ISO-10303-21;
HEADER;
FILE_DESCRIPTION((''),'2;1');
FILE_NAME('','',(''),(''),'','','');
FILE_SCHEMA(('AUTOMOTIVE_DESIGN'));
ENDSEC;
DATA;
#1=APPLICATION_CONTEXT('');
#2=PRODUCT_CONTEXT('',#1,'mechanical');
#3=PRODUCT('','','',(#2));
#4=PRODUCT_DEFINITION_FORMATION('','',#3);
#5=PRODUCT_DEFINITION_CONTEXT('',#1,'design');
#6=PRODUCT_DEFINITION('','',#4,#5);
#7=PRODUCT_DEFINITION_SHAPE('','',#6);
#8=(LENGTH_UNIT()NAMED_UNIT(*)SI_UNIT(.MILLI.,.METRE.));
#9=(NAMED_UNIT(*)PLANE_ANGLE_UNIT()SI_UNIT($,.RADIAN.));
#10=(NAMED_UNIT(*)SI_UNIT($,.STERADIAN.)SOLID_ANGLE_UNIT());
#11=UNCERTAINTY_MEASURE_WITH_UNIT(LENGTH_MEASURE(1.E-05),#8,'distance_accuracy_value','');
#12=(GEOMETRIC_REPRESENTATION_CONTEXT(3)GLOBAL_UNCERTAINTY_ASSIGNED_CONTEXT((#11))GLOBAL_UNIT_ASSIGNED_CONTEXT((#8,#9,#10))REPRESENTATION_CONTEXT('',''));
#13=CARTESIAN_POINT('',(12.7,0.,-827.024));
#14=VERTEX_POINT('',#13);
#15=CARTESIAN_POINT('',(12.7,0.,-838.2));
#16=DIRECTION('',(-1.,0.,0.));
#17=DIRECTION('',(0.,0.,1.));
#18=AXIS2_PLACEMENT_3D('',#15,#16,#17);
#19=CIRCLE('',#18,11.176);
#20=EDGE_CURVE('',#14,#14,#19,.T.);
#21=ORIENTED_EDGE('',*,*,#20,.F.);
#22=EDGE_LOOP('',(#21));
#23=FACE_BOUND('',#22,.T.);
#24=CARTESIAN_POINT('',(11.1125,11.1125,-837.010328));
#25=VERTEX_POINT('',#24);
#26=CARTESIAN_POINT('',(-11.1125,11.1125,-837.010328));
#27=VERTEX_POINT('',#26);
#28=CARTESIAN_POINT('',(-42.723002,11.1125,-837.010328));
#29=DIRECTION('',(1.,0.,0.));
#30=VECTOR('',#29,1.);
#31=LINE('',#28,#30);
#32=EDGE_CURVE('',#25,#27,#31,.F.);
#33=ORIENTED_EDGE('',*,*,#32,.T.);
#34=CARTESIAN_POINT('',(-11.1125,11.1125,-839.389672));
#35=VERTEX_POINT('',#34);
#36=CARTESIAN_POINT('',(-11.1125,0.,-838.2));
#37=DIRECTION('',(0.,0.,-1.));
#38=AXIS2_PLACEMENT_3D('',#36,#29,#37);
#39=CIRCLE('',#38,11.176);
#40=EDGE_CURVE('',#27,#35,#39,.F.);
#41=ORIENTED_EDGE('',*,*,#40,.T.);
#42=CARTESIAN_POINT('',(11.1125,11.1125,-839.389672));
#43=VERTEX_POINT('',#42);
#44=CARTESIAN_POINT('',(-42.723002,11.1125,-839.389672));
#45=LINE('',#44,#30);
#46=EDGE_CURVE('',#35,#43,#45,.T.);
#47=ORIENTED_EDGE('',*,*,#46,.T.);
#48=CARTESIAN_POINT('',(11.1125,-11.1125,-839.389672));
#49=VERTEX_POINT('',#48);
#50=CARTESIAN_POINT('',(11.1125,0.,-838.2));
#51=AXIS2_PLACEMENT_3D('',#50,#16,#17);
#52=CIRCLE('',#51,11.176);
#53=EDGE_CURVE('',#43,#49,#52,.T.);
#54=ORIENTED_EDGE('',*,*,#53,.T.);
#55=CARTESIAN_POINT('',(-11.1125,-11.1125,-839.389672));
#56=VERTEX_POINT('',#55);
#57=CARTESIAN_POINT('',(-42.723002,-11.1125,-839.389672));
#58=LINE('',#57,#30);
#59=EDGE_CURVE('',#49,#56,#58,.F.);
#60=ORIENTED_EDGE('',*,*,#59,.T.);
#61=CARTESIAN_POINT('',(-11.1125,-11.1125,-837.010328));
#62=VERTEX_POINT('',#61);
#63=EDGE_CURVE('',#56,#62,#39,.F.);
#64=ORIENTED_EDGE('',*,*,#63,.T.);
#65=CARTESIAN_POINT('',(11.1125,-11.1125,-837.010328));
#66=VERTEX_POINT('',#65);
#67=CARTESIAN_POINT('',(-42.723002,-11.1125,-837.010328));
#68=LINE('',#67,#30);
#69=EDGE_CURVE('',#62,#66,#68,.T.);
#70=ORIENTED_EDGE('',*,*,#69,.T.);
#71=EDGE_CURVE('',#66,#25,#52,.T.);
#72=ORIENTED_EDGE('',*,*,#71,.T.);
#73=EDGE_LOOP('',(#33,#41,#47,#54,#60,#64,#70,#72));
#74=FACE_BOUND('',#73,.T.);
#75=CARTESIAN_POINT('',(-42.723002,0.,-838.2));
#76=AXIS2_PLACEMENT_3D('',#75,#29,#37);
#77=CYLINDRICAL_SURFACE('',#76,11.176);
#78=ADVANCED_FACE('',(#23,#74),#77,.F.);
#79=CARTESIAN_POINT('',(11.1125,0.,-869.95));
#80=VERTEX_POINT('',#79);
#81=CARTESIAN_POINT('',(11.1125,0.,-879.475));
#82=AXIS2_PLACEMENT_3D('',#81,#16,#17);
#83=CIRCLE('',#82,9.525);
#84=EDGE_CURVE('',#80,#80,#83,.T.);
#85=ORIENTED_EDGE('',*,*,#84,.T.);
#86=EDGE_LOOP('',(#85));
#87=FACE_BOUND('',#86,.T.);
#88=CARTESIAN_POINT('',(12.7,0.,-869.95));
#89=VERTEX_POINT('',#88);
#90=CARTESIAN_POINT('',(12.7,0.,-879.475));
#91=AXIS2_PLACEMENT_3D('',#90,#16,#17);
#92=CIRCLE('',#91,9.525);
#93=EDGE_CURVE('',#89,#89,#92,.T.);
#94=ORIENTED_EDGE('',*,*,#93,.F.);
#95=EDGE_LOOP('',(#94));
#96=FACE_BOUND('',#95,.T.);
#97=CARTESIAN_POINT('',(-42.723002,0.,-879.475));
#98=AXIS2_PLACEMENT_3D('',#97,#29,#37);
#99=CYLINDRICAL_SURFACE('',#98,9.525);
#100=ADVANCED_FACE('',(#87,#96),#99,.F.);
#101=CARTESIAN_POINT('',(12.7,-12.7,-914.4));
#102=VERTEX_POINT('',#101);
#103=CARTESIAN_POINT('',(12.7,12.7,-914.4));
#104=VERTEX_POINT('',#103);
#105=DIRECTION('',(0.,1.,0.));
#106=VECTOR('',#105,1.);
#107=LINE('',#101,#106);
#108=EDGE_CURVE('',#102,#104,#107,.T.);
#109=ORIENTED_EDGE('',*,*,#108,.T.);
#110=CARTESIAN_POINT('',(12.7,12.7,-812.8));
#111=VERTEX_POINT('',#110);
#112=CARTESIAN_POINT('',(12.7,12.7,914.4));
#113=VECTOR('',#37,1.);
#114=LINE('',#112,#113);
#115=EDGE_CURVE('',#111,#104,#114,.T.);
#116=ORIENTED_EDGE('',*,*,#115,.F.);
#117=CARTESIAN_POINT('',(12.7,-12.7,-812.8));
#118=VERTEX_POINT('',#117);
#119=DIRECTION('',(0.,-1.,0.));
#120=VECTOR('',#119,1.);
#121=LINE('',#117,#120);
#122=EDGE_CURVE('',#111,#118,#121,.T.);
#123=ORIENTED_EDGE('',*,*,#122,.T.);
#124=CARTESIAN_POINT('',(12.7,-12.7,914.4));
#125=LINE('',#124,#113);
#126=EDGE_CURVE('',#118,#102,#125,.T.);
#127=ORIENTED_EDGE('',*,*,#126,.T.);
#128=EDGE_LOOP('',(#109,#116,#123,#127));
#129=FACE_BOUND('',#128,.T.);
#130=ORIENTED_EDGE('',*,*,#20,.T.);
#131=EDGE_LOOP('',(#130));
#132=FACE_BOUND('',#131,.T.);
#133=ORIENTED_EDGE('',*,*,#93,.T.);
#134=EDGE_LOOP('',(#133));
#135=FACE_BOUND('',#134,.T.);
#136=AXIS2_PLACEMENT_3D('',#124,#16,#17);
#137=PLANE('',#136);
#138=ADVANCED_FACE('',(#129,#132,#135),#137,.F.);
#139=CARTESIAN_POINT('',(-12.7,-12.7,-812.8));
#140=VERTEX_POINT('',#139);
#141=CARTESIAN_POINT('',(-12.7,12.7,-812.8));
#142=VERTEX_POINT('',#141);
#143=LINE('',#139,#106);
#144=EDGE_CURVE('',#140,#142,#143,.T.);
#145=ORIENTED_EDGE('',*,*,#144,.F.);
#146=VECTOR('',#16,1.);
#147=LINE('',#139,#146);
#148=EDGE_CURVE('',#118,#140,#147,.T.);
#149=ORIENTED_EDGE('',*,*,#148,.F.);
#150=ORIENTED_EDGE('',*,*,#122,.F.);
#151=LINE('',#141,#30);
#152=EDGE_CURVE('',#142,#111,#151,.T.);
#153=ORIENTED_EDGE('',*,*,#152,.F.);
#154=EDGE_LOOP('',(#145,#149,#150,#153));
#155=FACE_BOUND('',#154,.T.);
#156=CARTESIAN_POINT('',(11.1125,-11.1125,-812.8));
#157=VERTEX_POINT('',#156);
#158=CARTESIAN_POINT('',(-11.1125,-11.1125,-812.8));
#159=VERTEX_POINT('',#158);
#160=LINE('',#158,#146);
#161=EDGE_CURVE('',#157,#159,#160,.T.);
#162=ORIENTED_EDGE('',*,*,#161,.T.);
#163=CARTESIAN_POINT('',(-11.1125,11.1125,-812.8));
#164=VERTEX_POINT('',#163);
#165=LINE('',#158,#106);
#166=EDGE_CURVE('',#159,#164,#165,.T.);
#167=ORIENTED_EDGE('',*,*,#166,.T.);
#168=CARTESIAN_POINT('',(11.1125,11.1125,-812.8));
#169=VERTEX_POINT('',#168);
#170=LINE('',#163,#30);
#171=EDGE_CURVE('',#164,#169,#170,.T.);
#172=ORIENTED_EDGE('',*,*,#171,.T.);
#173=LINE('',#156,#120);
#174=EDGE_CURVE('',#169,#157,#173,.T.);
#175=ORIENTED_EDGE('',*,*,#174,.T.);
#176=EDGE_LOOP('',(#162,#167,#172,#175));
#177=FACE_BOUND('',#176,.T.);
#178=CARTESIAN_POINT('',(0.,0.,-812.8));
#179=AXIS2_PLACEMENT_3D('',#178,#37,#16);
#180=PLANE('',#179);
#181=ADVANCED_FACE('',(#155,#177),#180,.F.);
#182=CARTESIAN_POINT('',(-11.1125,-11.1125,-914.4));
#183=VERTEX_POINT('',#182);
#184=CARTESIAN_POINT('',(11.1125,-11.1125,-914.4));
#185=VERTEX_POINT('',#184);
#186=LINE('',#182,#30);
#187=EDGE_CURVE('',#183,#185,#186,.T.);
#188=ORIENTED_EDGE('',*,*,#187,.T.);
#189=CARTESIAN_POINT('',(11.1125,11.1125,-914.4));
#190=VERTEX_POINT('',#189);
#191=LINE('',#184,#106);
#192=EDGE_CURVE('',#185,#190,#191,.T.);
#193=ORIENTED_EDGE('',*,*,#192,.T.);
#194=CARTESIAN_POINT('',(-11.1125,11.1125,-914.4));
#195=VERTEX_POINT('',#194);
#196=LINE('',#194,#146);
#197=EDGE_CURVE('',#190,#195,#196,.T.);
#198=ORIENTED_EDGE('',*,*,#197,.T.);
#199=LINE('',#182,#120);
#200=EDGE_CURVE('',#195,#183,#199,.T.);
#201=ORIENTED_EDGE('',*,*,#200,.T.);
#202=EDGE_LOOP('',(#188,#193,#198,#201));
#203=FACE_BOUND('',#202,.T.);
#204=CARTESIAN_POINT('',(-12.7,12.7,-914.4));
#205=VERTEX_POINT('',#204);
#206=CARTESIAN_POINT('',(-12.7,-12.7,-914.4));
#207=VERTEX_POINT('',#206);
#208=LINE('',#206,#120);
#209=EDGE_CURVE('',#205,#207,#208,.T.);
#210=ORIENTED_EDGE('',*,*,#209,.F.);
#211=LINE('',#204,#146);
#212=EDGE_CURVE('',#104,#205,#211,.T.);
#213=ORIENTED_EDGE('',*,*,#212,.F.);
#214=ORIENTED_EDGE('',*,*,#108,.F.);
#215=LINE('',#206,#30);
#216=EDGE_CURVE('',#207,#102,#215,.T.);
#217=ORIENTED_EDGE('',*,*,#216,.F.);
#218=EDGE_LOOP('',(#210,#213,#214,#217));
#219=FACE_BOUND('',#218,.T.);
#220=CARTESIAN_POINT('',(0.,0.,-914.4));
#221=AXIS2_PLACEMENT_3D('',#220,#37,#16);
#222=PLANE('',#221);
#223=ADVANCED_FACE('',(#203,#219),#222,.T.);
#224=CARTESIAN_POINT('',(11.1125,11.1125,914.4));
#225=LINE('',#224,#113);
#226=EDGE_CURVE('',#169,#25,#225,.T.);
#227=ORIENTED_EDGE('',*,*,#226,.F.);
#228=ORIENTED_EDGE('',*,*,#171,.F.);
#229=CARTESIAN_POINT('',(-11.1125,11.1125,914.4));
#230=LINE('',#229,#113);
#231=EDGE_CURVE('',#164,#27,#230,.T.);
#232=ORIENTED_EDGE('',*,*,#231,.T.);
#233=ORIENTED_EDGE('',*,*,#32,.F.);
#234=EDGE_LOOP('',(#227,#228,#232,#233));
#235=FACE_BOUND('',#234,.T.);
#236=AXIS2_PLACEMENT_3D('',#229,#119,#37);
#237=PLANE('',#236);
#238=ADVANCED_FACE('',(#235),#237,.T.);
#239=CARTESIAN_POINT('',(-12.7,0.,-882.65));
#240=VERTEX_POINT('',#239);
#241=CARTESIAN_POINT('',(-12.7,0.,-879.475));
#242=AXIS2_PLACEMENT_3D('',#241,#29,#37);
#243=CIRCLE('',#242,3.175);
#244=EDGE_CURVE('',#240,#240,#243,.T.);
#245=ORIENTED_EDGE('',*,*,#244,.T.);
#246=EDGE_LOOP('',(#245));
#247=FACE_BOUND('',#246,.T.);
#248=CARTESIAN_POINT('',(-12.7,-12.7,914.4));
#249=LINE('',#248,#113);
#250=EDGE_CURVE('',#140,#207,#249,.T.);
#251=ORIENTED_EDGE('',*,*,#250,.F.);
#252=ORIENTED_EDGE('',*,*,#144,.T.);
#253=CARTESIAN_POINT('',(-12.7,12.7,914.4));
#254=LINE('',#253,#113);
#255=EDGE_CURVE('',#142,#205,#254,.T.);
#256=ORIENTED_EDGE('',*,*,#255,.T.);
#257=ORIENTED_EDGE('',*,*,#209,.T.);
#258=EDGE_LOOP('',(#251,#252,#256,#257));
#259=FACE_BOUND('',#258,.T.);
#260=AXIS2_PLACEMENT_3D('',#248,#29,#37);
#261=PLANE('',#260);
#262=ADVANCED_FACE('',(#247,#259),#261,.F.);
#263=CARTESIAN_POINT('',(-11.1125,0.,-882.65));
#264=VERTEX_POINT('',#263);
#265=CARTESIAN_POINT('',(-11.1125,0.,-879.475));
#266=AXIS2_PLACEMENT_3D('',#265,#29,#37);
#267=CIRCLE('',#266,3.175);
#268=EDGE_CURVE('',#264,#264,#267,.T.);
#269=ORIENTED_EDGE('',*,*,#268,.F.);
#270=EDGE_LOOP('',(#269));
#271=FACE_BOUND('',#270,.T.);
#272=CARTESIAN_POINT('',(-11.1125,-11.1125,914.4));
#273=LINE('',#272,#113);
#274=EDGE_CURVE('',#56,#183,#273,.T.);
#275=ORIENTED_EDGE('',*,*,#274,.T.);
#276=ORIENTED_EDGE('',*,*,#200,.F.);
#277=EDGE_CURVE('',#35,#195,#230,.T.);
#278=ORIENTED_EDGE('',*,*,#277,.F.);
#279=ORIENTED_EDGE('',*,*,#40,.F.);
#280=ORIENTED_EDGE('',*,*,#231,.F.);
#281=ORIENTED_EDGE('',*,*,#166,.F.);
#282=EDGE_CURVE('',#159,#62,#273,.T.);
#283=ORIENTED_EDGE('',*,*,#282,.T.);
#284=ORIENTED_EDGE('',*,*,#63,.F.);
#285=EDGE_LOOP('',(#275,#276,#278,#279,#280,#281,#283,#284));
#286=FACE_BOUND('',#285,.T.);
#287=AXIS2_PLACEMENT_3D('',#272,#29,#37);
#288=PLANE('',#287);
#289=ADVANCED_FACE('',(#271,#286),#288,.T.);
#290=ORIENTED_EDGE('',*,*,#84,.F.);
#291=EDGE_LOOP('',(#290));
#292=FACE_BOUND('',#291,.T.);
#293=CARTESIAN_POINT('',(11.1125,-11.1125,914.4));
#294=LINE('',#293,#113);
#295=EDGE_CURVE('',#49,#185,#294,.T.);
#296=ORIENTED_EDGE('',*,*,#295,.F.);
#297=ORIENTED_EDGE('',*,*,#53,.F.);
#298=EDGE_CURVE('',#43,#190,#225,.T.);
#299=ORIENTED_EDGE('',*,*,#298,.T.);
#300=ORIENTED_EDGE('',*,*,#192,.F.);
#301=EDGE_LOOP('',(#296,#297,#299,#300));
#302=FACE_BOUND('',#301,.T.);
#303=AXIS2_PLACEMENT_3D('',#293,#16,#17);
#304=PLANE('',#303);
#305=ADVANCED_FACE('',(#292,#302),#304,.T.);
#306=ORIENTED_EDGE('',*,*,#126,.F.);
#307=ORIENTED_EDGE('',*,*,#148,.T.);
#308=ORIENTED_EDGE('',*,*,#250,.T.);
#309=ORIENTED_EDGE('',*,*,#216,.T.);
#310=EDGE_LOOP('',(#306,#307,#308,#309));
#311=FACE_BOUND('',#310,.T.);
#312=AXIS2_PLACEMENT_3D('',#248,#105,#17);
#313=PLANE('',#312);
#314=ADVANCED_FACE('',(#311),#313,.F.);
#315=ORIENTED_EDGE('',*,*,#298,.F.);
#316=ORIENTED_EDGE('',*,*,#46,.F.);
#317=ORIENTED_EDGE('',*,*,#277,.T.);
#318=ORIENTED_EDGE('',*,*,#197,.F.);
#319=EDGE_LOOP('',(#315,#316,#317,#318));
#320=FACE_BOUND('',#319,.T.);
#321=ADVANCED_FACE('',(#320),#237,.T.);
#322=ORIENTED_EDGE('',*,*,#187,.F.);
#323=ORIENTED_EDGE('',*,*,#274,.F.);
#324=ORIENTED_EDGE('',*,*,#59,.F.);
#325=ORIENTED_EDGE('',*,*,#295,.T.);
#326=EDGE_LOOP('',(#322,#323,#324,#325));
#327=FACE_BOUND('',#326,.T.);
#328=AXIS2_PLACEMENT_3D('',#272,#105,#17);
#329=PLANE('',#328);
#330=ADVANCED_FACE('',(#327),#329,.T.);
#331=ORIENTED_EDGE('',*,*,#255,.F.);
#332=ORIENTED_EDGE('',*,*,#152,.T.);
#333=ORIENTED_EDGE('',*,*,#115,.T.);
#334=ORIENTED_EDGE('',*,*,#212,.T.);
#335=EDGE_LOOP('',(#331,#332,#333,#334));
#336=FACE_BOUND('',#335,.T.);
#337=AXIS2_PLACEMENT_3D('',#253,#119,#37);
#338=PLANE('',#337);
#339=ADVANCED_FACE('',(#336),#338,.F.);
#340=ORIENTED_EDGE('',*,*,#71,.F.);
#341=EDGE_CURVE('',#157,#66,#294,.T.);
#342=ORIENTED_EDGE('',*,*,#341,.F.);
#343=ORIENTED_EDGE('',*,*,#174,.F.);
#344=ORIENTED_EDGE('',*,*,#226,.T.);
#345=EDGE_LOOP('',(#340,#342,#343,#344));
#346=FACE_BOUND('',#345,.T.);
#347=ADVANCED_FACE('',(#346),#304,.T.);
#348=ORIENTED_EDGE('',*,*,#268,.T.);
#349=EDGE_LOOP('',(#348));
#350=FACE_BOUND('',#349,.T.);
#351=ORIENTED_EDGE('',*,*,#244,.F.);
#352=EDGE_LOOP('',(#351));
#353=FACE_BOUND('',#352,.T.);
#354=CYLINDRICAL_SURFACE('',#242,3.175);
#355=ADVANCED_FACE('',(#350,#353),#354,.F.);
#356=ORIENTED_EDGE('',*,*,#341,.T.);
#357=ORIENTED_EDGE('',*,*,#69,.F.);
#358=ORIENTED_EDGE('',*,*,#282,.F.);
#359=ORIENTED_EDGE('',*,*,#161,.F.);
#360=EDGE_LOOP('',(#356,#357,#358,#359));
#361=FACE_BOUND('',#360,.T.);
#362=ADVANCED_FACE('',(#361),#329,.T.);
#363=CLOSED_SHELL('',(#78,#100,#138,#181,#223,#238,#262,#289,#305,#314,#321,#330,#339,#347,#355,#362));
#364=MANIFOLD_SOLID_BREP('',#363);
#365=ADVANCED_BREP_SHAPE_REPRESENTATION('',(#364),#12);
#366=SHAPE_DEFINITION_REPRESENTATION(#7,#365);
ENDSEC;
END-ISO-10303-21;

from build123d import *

# Parameters (mm, degrees)
BOSS_EXTRUDE1_DEPTH            = 914.4
BOSS_EXTRUDE1_DEPTH_BACK       = 914.4
SKETCH3_W                      = 25.4
SKETCH3_H                      = 25.4
SKETCH3_W_2                    = 22.225
SKETCH3_H_2                    = 22.225
SKETCH5_W                      = 58.75494954
SKETCH5_H                      = 44.648037504
CUT_EXTRUDE1_DEPTH             = 1727.2
CUT_EXTRUDE2_REACH             = 916.841
SKETCH6_R                      = 9.525
SKETCH6_R_2                    = 11.176
CUT_EXTRUDE2_DIRECTION_2_DEPTH = 915.840865943
CUT_EXTRUDE3_DEPTH             = 915.798166349
CUT_EXTRUDE3_DEPTH_BACK        = 915.798166349
SKETCH9_R                      = 3.175


with BuildPart() as part:
    # Sketch3 → Boss-Extrude1 (new, two sides: drawn at the far end of the back side and taken through both)
    with BuildSketch(Plane.XY.offset(-BOSS_EXTRUDE1_DEPTH_BACK)):
        Rectangle(SKETCH3_W, SKETCH3_H)
        Rectangle(SKETCH3_W_2, SKETCH3_H_2, mode=Mode.SUBTRACT)
    extrude(amount=BOSS_EXTRUDE1_DEPTH + BOSS_EXTRUDE1_DEPTH_BACK)

    # Sketch5 → Cut-Extrude1 (cut)
    with BuildSketch(Plane.XY.offset(914.4)):
        Rectangle(SKETCH5_W, SKETCH5_H)
    extrude(amount=-CUT_EXTRUDE1_DEPTH, mode=Mode.SUBTRACT)

    # Cut-Extrude2: up to this face of the body (flat: up to its plane)
    cut_extrude2_end = Plane(part.part.faces().sort_by_distance((-11.1125, 0, -863.6))[0])
    # Sketch6 → Cut-Extrude2 (cut, up to the picked face)
    with BuildSketch(Plane(origin=(12.7, 0, 0), x_dir=(0, 0, -1), z_dir=(1, 0, 0)), mode=Mode.PRIVATE) as cut_extrude2_sk1:
        with Locations(Location((879.475, 0, 0), (0, 0, 180))):
            Circle(SKETCH6_R)
    cut_extrude2_tool1 = split(extrude(cut_extrude2_sk1.sketch, amount=-CUT_EXTRUDE2_REACH, mode=Mode.PRIVATE), bisect_by=cut_extrude2_end, keep=Keep.BOTH, mode=Mode.PRIVATE)
    # Sketch6 → Cut-Extrude2 (cut, up to the picked face)
    with BuildSketch(Plane(origin=(12.7, 0, 0), x_dir=(0, 0, -1), z_dir=(1, 0, 0)), mode=Mode.PRIVATE) as cut_extrude2_sk2:
        with Locations(Location((838.2, 0, 0), (0, 0, 83.889353751))):
            Circle(SKETCH6_R_2)
    cut_extrude2_tool2 = split(extrude(cut_extrude2_sk2.sketch, amount=-CUT_EXTRUDE2_REACH, mode=Mode.PRIVATE), bisect_by=cut_extrude2_end, keep=Keep.BOTH, mode=Mode.PRIVATE)
    add(cut_extrude2_tool1.solids().sort_by(Axis((12.7, 0, -879.475), (-1, 0, 0)))[0], mode=Mode.SUBTRACT)
    add(cut_extrude2_tool2.solids().sort_by(Axis((12.7, 0, -838.2), (-1, 0, 0)))[0], mode=Mode.SUBTRACT)

    # Sketch6 → Cut-Extrude2 direction 2 (cut)
    with BuildSketch(Plane(origin=(12.7, 0, 0), x_dir=(0, 0, -1), z_dir=(1, 0, 0))):
        with Locations(Location((879.475, 0, 0), (0, 0, 180))):
            Circle(SKETCH6_R)
        with Locations(Location((838.2, 0, 0), (0, 0, 83.889353751))):
            Circle(SKETCH6_R_2)
    extrude(amount=CUT_EXTRUDE2_DIRECTION_2_DEPTH, mode=Mode.SUBTRACT)

    # Sketch9 → Cut-Extrude3 (cut, two sides: drawn at the far end of the back side and taken through both)
    with BuildSketch(Plane(origin=(-11.1125, 0, 0), x_dir=(0, 0, -1), z_dir=(1, 0, 0)).offset(-CUT_EXTRUDE3_DEPTH_BACK)):
        with Locations((879.475, 0)):
            Circle(SKETCH9_R)
    extrude(amount=CUT_EXTRUDE3_DEPTH + CUT_EXTRUDE3_DEPTH_BACK, mode=Mode.SUBTRACT)


solid = part.part
